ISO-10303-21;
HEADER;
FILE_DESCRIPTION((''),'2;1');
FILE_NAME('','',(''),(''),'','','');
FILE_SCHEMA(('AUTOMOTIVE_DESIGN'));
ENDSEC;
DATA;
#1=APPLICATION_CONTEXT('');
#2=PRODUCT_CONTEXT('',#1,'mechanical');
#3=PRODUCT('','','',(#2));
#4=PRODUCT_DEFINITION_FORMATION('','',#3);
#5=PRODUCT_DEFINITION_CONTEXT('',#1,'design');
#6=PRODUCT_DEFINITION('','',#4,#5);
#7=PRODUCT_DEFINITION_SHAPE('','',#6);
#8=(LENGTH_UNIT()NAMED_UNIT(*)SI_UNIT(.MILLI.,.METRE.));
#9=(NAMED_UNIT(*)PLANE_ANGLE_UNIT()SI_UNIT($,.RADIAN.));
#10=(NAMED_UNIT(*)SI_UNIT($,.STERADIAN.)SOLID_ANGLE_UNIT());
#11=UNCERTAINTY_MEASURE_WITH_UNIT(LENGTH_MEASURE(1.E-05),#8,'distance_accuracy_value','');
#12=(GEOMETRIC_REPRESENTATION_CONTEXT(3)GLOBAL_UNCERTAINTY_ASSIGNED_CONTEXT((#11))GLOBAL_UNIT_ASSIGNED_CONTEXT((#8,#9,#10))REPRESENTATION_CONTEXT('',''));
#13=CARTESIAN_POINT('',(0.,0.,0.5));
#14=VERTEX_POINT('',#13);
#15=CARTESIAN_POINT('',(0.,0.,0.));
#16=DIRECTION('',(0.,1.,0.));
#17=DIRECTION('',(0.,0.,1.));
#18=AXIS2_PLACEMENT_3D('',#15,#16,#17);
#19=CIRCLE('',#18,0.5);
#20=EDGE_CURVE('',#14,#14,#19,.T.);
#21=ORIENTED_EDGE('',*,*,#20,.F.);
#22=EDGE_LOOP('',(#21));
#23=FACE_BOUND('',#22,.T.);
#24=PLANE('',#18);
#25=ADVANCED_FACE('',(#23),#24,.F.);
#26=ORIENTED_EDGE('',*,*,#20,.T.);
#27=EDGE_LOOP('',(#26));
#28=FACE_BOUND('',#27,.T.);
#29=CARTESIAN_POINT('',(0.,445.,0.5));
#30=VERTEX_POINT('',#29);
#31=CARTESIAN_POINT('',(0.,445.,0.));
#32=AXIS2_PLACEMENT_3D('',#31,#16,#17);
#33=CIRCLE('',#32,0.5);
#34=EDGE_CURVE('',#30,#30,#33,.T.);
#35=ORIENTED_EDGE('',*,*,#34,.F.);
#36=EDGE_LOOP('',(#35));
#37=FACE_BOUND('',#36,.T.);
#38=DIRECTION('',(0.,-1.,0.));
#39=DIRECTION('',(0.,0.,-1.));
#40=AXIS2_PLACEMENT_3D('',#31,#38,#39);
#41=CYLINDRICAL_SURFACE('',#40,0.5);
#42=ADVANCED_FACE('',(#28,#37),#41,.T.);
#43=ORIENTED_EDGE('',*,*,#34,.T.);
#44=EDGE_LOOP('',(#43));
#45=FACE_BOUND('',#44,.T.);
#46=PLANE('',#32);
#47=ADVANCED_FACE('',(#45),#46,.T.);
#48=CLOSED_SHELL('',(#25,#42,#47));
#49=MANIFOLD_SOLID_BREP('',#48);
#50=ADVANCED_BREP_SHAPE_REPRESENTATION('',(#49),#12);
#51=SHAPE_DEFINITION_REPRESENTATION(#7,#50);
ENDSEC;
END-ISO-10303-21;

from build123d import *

# Parameters (mm, degrees)
SKETCH1_R     = 0.5
ANTENNA_DEPTH = 445


with BuildPart() as part:
    # Sketch1 → Antenna (new body)
    with BuildSketch(Plane(origin=(0, 0, 0), x_dir=(1, 0, 0), z_dir=(0, 1, 0))):
        with Locations(Location((0, 0, 0), (0, 0, 270))):
            Circle(SKETCH1_R)
    extrude(amount=ANTENNA_DEPTH)


solid = part.part
